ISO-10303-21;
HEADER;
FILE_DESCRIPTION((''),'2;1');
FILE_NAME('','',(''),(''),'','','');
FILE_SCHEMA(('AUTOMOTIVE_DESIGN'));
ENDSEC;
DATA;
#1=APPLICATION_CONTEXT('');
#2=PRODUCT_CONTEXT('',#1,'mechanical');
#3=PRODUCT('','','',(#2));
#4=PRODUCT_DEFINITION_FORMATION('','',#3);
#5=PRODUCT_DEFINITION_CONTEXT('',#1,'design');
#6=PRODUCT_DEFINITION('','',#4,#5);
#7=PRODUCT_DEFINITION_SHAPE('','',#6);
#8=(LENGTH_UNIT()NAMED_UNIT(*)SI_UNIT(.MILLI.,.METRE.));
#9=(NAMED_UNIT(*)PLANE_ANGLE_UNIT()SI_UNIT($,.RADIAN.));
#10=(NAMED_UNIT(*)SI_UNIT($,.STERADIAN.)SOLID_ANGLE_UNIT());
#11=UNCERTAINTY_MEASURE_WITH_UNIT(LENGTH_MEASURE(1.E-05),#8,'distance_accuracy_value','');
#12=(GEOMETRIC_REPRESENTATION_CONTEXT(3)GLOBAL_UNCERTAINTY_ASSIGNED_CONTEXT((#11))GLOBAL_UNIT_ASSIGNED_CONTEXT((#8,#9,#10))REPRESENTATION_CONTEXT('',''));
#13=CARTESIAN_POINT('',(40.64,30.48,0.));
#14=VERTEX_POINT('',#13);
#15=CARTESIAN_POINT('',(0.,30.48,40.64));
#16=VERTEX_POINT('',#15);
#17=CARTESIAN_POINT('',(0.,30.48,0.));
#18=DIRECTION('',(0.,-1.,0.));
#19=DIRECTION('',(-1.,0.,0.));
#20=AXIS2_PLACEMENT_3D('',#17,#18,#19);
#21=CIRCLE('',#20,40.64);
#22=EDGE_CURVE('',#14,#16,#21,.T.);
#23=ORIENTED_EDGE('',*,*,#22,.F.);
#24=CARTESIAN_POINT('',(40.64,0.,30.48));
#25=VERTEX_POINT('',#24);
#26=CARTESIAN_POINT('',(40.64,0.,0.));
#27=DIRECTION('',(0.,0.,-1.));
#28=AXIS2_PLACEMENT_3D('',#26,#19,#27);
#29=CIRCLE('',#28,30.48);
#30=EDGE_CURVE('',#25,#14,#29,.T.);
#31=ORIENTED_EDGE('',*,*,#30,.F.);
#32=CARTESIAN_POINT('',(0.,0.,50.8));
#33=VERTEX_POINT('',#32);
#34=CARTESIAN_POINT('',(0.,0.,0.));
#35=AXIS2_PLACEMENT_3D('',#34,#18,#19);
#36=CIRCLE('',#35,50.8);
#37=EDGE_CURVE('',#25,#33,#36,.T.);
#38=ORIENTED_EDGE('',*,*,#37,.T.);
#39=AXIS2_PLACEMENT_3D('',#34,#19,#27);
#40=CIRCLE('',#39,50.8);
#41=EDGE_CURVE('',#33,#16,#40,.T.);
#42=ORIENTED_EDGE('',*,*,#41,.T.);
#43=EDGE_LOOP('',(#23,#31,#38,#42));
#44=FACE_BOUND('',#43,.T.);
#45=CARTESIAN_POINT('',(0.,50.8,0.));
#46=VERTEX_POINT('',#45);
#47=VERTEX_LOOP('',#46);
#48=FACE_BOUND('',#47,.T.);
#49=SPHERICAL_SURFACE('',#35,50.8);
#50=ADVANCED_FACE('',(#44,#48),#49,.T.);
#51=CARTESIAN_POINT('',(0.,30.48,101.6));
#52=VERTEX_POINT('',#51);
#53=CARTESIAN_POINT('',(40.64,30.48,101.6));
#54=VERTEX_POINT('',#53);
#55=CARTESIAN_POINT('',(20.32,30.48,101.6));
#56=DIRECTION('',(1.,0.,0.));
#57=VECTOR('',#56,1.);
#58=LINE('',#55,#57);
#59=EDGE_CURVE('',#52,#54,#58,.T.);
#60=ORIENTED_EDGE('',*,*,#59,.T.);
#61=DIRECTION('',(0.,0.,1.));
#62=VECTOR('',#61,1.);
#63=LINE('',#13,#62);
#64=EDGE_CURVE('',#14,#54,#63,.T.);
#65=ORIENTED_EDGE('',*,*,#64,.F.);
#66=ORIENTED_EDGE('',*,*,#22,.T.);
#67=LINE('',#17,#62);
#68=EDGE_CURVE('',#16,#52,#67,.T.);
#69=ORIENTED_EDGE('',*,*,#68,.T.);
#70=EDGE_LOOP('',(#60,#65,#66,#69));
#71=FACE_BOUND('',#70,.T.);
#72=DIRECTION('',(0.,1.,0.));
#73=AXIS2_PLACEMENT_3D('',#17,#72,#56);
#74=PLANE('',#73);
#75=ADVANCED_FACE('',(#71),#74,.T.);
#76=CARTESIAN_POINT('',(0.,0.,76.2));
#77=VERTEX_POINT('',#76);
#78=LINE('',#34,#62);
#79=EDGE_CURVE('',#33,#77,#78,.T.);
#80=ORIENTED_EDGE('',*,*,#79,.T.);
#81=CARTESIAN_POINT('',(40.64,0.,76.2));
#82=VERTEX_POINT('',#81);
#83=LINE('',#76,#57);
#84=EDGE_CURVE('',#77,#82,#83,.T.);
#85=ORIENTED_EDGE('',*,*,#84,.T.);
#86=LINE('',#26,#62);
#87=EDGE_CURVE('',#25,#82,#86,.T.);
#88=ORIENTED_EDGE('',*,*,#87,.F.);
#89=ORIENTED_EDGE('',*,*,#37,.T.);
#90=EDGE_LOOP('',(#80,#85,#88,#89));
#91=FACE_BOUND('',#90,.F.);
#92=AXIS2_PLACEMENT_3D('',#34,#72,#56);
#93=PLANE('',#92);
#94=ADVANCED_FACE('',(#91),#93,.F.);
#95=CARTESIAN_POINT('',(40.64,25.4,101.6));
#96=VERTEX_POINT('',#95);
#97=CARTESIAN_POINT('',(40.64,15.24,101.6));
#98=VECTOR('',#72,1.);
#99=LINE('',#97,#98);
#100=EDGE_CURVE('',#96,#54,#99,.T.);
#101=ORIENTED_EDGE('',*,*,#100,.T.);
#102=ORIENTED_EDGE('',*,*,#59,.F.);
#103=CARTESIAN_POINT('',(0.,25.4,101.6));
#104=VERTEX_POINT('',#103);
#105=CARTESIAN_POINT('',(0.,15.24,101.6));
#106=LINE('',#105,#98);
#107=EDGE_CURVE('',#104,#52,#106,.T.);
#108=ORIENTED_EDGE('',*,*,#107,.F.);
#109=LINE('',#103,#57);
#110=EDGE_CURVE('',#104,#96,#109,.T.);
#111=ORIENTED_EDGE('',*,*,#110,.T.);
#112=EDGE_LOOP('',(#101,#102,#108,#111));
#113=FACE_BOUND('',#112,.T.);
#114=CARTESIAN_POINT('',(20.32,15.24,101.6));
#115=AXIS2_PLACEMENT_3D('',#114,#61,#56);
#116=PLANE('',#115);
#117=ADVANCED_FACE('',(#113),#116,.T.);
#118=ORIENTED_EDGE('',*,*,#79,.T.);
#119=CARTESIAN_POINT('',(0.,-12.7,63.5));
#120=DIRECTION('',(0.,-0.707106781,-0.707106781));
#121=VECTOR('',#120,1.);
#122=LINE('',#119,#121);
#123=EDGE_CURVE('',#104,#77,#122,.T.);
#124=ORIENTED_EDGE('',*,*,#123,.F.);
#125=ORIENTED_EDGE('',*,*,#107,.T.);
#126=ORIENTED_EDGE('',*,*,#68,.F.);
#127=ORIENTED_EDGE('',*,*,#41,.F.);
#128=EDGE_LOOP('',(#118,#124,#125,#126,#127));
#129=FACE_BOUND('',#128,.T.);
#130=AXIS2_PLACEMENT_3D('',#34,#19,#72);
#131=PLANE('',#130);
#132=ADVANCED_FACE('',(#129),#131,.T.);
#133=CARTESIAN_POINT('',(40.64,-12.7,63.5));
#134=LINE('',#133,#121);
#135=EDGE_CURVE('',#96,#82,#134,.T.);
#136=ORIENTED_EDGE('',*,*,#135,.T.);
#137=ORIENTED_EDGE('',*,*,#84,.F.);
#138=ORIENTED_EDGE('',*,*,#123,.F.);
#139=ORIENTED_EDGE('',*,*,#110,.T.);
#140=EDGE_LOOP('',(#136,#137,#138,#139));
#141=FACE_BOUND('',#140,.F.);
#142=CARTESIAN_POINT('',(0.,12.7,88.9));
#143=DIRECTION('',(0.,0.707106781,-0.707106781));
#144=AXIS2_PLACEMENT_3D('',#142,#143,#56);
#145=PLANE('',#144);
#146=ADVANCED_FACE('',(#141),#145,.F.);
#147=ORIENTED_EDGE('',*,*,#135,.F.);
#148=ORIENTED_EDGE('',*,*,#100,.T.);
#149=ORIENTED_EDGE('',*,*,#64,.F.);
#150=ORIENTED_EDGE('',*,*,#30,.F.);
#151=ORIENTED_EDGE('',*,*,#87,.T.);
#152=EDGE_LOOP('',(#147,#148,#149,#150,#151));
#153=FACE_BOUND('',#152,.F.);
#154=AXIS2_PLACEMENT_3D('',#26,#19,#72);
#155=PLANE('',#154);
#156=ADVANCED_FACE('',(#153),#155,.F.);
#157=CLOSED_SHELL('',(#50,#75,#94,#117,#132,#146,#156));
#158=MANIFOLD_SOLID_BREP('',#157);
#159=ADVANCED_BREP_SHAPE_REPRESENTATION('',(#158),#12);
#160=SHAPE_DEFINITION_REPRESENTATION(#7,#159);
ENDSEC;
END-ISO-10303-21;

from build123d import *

# Parameters (mm, degrees)
F2_W     = 40.64
F2_H     = 30.48
F3_DEPTH = 101.6
F4_SIZE  = 25.4


with BuildPart() as f1:
    # F0 (on Top) → F1 (revolve)
    with BuildSketch(Plane.XY):
        with BuildLine():
            Line((0, -50.8), (0, 50.8))
            ThreePointArc((0, 50.8), (-50.8, 0), (0, -50.8))
        make_face()
    revolve(axis=Axis((0, 0, 0), (0, -1, 0)))

    # F2 (on Top) → F3 (join)
    with BuildSketch(Plane.XY):
        with Locations((20.32, 15.24)):
            Rectangle(F2_W, F2_H)
    extrude(amount=F3_DEPTH)

    # F4
    f4_edges = [f1.edges().sort_by_distance(p)[0] for p in [
        (20.32, 0, 101.6),
    ]]
    chamfer(f4_edges, length=F4_SIZE)


solid = f1.part
